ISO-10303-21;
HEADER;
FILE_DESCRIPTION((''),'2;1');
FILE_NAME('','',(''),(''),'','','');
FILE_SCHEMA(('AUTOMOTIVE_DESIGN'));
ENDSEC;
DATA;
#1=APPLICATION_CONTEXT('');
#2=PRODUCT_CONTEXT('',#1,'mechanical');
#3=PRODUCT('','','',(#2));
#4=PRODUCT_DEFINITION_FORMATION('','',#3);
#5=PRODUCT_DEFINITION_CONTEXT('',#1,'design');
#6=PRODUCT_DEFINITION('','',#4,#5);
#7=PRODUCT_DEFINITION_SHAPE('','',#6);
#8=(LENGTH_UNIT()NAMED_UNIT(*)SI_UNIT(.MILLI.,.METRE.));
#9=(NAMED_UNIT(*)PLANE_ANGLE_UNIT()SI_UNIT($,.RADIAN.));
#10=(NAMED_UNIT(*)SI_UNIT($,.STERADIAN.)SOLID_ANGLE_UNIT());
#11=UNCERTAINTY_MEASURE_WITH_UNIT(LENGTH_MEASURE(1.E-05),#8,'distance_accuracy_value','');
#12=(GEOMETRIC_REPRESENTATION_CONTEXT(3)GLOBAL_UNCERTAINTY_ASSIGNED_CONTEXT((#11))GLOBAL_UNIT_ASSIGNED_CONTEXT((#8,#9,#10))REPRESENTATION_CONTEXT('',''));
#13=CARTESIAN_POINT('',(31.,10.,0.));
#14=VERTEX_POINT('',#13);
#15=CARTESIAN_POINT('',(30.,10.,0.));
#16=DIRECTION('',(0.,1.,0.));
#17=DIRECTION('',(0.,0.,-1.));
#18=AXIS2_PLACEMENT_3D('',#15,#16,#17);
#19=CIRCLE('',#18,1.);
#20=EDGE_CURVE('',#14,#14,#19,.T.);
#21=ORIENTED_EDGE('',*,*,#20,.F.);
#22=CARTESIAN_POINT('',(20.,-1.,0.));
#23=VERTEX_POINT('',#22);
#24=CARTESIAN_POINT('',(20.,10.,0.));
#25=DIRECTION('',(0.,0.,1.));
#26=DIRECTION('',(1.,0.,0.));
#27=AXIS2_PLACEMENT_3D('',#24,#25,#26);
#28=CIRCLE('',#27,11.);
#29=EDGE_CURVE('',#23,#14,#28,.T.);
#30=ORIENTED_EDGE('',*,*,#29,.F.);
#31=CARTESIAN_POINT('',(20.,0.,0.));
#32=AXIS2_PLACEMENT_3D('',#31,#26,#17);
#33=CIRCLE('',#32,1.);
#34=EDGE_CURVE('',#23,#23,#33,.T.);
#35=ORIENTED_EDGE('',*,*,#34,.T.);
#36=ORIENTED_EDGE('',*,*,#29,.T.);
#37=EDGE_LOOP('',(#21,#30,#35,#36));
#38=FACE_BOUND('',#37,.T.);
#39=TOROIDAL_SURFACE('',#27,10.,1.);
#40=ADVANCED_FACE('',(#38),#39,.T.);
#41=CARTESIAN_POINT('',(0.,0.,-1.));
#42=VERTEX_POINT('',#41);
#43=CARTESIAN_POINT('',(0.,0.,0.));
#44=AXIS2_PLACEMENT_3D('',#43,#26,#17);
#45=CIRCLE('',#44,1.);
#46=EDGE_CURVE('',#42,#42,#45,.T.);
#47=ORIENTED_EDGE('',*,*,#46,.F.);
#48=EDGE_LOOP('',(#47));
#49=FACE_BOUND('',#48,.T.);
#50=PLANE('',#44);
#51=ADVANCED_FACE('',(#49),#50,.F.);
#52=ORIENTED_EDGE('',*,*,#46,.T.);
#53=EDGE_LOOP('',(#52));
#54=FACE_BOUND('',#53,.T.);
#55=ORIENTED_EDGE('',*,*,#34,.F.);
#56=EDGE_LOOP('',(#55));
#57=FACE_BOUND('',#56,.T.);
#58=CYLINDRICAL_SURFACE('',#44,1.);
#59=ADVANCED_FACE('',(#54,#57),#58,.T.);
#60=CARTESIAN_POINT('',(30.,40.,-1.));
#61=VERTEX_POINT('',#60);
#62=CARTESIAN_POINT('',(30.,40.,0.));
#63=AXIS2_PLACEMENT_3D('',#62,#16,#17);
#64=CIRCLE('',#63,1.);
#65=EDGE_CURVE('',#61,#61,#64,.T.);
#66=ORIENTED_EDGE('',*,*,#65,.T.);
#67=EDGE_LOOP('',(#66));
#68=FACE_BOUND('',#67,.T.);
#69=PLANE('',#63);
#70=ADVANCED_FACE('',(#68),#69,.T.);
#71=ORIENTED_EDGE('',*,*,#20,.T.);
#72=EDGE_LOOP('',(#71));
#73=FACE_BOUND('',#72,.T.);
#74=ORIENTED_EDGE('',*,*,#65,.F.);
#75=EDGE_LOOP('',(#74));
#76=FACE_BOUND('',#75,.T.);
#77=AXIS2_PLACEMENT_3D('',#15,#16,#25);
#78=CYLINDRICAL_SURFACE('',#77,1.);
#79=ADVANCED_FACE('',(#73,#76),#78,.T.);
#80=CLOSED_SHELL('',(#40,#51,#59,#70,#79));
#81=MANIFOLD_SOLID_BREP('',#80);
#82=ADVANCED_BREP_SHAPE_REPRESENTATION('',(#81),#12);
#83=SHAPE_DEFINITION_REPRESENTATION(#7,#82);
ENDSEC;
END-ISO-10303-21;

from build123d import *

# Parameters (mm, degrees)
SKETCH_4_R = 1


with BuildPart() as part:
    # ｽｲｰﾌﾟ1: sweep along a path in ｽｹｯﾁ1
    with BuildLine(Plane.XY) as sweep_1_path:
        Line((0, 0), (20, 0))
        ThreePointArc((20, 0), (27.071067812, 2.928932188), (30, 10))
        Line((30, 10), (30, 40))
    # ｽｹｯﾁ4 → ｽｲｰﾌﾟ1 (sweep)
    with BuildSketch(Plane(origin=(0, 0, 0), x_dir=(0, 0, -1), z_dir=(1, 0, 0))):
        Circle(SKETCH_4_R)
    sweep(path=sweep_1_path.line)


solid = part.part
